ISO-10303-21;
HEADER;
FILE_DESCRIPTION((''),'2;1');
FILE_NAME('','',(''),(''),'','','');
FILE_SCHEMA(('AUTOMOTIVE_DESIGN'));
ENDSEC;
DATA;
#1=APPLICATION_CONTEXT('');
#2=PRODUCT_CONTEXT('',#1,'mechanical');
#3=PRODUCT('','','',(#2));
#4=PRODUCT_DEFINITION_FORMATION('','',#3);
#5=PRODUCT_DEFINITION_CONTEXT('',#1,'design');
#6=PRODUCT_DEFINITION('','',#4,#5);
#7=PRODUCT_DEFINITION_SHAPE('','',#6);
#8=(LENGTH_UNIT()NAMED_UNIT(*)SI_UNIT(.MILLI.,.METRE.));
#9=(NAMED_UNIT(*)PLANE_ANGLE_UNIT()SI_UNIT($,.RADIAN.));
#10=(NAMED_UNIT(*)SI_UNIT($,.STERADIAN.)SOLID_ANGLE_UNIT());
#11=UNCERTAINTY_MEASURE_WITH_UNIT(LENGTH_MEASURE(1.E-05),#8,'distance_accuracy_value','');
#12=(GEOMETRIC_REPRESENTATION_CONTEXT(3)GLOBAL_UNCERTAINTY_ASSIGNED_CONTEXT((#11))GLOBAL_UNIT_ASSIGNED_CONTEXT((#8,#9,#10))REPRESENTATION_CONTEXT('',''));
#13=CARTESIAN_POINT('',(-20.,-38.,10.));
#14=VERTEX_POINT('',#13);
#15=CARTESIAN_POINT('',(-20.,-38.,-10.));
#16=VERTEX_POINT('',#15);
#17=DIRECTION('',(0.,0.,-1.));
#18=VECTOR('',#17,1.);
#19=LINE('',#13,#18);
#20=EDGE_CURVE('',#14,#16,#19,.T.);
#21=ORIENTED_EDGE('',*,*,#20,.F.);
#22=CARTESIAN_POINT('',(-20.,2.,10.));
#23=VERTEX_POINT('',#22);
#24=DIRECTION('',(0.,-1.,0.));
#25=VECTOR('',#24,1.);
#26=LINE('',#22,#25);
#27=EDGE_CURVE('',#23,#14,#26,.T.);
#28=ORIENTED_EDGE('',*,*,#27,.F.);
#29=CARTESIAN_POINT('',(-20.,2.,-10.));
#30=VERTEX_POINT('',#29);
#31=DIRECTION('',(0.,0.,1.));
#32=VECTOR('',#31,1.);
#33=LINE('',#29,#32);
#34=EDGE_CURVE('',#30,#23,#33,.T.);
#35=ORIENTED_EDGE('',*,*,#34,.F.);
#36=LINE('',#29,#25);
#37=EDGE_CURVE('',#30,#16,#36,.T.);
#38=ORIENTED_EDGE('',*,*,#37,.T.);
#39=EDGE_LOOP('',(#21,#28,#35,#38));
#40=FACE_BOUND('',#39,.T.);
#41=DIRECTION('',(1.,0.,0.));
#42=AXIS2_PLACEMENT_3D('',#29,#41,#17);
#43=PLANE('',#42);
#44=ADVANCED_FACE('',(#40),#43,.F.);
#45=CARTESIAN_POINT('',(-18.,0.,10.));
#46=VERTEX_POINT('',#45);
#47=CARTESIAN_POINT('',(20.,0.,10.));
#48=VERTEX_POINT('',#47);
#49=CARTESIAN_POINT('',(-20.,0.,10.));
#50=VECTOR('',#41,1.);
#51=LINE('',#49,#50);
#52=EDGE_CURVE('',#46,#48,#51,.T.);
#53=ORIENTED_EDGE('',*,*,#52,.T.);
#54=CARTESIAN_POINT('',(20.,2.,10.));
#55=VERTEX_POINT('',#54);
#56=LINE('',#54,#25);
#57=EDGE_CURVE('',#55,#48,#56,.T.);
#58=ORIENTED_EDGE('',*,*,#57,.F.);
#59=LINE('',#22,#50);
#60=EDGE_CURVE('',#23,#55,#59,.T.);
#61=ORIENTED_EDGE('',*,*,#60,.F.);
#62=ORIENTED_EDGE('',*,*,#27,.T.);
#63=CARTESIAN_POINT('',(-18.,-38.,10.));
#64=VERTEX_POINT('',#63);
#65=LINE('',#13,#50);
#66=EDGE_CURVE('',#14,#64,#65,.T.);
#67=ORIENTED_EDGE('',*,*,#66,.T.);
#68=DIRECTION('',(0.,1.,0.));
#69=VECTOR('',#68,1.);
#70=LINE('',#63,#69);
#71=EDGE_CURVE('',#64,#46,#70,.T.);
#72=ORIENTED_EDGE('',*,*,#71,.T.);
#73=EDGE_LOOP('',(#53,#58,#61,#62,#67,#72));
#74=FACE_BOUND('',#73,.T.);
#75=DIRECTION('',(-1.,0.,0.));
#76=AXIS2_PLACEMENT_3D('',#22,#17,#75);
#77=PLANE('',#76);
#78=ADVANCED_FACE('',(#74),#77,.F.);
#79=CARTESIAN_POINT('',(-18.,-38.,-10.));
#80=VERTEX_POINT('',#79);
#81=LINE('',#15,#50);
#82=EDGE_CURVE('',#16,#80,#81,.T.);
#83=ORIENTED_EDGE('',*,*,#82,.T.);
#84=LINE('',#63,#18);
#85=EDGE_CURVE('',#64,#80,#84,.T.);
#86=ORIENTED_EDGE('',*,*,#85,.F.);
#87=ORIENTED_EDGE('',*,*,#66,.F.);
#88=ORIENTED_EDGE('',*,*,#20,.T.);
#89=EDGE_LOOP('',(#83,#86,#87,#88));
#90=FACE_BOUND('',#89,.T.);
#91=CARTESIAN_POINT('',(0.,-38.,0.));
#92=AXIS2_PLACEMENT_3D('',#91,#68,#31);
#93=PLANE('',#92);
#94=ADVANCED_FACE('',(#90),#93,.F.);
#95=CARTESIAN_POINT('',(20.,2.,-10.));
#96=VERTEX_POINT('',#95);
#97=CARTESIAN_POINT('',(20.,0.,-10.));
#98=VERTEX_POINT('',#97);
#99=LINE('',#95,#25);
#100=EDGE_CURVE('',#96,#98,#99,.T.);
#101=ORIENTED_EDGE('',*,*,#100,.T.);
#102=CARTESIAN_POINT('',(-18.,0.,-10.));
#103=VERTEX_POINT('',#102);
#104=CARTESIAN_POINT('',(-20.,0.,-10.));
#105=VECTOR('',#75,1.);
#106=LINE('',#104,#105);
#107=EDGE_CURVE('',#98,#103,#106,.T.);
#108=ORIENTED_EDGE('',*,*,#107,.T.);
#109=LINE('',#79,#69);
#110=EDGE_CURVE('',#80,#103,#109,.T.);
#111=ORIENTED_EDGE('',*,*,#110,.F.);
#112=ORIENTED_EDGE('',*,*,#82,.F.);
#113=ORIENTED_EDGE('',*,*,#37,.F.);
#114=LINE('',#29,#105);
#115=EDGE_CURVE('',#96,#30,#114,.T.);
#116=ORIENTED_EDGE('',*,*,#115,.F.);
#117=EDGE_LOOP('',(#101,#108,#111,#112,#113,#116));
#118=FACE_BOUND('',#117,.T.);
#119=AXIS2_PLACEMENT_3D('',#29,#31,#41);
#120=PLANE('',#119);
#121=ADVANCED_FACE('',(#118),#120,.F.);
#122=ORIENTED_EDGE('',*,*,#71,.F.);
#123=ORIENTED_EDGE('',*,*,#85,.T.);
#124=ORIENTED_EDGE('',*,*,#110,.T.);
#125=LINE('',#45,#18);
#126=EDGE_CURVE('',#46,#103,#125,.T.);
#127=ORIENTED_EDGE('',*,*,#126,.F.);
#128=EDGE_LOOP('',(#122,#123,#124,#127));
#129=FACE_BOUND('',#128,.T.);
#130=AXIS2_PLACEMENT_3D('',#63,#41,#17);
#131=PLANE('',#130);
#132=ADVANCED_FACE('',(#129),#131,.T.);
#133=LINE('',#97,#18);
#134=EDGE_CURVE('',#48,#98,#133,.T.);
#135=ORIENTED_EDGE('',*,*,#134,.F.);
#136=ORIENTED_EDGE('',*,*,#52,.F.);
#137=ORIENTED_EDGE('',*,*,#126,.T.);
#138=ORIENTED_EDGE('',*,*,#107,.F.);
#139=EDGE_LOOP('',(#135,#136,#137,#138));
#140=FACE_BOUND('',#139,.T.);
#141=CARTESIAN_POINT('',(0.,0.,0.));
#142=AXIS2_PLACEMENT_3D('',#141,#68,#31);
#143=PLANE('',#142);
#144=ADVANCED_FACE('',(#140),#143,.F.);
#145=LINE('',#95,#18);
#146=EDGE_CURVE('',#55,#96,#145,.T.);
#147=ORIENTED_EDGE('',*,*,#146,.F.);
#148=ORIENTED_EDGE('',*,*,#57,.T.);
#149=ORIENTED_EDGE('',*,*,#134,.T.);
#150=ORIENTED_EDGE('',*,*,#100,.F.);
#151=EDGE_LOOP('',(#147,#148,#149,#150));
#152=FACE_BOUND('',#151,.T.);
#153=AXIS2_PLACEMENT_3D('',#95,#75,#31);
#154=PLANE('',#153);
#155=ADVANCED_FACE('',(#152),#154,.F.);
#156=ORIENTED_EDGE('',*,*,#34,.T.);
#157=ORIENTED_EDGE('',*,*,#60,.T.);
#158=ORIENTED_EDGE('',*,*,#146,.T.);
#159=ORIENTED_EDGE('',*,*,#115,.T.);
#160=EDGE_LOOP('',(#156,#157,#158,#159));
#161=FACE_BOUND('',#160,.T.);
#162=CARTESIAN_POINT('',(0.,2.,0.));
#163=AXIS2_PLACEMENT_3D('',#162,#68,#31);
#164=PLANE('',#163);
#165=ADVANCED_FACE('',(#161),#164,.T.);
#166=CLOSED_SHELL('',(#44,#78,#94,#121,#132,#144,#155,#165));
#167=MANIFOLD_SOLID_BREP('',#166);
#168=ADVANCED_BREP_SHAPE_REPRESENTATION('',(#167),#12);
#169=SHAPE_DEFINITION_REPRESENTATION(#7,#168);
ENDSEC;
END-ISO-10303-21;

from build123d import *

# Parameters (mm, degrees)
SKETCH1_W           = 40
SKETCH1_H           = 20
BOSS_EXTRUDE1_DEPTH = 2
SKETCH2_W           = 2
SKETCH2_H           = 20
BOSS_EXTRUDE2_DEPTH = 38


with BuildPart() as part:
    # Sketch1 → Boss-Extrude1 (new body)
    with BuildSketch(Plane(origin=(0, 0, 0), x_dir=(1, 0, 0), z_dir=(0, 1, 0))):
        Rectangle(SKETCH1_W, SKETCH1_H)
    extrude(amount=BOSS_EXTRUDE1_DEPTH)

    # Sketch2 → Boss-Extrude2 (add)
    with BuildSketch(Plane.XZ):
        with Locations((-19, 0)):
            Rectangle(SKETCH2_W, SKETCH2_H)
    extrude(amount=BOSS_EXTRUDE2_DEPTH)


solid = part.part
